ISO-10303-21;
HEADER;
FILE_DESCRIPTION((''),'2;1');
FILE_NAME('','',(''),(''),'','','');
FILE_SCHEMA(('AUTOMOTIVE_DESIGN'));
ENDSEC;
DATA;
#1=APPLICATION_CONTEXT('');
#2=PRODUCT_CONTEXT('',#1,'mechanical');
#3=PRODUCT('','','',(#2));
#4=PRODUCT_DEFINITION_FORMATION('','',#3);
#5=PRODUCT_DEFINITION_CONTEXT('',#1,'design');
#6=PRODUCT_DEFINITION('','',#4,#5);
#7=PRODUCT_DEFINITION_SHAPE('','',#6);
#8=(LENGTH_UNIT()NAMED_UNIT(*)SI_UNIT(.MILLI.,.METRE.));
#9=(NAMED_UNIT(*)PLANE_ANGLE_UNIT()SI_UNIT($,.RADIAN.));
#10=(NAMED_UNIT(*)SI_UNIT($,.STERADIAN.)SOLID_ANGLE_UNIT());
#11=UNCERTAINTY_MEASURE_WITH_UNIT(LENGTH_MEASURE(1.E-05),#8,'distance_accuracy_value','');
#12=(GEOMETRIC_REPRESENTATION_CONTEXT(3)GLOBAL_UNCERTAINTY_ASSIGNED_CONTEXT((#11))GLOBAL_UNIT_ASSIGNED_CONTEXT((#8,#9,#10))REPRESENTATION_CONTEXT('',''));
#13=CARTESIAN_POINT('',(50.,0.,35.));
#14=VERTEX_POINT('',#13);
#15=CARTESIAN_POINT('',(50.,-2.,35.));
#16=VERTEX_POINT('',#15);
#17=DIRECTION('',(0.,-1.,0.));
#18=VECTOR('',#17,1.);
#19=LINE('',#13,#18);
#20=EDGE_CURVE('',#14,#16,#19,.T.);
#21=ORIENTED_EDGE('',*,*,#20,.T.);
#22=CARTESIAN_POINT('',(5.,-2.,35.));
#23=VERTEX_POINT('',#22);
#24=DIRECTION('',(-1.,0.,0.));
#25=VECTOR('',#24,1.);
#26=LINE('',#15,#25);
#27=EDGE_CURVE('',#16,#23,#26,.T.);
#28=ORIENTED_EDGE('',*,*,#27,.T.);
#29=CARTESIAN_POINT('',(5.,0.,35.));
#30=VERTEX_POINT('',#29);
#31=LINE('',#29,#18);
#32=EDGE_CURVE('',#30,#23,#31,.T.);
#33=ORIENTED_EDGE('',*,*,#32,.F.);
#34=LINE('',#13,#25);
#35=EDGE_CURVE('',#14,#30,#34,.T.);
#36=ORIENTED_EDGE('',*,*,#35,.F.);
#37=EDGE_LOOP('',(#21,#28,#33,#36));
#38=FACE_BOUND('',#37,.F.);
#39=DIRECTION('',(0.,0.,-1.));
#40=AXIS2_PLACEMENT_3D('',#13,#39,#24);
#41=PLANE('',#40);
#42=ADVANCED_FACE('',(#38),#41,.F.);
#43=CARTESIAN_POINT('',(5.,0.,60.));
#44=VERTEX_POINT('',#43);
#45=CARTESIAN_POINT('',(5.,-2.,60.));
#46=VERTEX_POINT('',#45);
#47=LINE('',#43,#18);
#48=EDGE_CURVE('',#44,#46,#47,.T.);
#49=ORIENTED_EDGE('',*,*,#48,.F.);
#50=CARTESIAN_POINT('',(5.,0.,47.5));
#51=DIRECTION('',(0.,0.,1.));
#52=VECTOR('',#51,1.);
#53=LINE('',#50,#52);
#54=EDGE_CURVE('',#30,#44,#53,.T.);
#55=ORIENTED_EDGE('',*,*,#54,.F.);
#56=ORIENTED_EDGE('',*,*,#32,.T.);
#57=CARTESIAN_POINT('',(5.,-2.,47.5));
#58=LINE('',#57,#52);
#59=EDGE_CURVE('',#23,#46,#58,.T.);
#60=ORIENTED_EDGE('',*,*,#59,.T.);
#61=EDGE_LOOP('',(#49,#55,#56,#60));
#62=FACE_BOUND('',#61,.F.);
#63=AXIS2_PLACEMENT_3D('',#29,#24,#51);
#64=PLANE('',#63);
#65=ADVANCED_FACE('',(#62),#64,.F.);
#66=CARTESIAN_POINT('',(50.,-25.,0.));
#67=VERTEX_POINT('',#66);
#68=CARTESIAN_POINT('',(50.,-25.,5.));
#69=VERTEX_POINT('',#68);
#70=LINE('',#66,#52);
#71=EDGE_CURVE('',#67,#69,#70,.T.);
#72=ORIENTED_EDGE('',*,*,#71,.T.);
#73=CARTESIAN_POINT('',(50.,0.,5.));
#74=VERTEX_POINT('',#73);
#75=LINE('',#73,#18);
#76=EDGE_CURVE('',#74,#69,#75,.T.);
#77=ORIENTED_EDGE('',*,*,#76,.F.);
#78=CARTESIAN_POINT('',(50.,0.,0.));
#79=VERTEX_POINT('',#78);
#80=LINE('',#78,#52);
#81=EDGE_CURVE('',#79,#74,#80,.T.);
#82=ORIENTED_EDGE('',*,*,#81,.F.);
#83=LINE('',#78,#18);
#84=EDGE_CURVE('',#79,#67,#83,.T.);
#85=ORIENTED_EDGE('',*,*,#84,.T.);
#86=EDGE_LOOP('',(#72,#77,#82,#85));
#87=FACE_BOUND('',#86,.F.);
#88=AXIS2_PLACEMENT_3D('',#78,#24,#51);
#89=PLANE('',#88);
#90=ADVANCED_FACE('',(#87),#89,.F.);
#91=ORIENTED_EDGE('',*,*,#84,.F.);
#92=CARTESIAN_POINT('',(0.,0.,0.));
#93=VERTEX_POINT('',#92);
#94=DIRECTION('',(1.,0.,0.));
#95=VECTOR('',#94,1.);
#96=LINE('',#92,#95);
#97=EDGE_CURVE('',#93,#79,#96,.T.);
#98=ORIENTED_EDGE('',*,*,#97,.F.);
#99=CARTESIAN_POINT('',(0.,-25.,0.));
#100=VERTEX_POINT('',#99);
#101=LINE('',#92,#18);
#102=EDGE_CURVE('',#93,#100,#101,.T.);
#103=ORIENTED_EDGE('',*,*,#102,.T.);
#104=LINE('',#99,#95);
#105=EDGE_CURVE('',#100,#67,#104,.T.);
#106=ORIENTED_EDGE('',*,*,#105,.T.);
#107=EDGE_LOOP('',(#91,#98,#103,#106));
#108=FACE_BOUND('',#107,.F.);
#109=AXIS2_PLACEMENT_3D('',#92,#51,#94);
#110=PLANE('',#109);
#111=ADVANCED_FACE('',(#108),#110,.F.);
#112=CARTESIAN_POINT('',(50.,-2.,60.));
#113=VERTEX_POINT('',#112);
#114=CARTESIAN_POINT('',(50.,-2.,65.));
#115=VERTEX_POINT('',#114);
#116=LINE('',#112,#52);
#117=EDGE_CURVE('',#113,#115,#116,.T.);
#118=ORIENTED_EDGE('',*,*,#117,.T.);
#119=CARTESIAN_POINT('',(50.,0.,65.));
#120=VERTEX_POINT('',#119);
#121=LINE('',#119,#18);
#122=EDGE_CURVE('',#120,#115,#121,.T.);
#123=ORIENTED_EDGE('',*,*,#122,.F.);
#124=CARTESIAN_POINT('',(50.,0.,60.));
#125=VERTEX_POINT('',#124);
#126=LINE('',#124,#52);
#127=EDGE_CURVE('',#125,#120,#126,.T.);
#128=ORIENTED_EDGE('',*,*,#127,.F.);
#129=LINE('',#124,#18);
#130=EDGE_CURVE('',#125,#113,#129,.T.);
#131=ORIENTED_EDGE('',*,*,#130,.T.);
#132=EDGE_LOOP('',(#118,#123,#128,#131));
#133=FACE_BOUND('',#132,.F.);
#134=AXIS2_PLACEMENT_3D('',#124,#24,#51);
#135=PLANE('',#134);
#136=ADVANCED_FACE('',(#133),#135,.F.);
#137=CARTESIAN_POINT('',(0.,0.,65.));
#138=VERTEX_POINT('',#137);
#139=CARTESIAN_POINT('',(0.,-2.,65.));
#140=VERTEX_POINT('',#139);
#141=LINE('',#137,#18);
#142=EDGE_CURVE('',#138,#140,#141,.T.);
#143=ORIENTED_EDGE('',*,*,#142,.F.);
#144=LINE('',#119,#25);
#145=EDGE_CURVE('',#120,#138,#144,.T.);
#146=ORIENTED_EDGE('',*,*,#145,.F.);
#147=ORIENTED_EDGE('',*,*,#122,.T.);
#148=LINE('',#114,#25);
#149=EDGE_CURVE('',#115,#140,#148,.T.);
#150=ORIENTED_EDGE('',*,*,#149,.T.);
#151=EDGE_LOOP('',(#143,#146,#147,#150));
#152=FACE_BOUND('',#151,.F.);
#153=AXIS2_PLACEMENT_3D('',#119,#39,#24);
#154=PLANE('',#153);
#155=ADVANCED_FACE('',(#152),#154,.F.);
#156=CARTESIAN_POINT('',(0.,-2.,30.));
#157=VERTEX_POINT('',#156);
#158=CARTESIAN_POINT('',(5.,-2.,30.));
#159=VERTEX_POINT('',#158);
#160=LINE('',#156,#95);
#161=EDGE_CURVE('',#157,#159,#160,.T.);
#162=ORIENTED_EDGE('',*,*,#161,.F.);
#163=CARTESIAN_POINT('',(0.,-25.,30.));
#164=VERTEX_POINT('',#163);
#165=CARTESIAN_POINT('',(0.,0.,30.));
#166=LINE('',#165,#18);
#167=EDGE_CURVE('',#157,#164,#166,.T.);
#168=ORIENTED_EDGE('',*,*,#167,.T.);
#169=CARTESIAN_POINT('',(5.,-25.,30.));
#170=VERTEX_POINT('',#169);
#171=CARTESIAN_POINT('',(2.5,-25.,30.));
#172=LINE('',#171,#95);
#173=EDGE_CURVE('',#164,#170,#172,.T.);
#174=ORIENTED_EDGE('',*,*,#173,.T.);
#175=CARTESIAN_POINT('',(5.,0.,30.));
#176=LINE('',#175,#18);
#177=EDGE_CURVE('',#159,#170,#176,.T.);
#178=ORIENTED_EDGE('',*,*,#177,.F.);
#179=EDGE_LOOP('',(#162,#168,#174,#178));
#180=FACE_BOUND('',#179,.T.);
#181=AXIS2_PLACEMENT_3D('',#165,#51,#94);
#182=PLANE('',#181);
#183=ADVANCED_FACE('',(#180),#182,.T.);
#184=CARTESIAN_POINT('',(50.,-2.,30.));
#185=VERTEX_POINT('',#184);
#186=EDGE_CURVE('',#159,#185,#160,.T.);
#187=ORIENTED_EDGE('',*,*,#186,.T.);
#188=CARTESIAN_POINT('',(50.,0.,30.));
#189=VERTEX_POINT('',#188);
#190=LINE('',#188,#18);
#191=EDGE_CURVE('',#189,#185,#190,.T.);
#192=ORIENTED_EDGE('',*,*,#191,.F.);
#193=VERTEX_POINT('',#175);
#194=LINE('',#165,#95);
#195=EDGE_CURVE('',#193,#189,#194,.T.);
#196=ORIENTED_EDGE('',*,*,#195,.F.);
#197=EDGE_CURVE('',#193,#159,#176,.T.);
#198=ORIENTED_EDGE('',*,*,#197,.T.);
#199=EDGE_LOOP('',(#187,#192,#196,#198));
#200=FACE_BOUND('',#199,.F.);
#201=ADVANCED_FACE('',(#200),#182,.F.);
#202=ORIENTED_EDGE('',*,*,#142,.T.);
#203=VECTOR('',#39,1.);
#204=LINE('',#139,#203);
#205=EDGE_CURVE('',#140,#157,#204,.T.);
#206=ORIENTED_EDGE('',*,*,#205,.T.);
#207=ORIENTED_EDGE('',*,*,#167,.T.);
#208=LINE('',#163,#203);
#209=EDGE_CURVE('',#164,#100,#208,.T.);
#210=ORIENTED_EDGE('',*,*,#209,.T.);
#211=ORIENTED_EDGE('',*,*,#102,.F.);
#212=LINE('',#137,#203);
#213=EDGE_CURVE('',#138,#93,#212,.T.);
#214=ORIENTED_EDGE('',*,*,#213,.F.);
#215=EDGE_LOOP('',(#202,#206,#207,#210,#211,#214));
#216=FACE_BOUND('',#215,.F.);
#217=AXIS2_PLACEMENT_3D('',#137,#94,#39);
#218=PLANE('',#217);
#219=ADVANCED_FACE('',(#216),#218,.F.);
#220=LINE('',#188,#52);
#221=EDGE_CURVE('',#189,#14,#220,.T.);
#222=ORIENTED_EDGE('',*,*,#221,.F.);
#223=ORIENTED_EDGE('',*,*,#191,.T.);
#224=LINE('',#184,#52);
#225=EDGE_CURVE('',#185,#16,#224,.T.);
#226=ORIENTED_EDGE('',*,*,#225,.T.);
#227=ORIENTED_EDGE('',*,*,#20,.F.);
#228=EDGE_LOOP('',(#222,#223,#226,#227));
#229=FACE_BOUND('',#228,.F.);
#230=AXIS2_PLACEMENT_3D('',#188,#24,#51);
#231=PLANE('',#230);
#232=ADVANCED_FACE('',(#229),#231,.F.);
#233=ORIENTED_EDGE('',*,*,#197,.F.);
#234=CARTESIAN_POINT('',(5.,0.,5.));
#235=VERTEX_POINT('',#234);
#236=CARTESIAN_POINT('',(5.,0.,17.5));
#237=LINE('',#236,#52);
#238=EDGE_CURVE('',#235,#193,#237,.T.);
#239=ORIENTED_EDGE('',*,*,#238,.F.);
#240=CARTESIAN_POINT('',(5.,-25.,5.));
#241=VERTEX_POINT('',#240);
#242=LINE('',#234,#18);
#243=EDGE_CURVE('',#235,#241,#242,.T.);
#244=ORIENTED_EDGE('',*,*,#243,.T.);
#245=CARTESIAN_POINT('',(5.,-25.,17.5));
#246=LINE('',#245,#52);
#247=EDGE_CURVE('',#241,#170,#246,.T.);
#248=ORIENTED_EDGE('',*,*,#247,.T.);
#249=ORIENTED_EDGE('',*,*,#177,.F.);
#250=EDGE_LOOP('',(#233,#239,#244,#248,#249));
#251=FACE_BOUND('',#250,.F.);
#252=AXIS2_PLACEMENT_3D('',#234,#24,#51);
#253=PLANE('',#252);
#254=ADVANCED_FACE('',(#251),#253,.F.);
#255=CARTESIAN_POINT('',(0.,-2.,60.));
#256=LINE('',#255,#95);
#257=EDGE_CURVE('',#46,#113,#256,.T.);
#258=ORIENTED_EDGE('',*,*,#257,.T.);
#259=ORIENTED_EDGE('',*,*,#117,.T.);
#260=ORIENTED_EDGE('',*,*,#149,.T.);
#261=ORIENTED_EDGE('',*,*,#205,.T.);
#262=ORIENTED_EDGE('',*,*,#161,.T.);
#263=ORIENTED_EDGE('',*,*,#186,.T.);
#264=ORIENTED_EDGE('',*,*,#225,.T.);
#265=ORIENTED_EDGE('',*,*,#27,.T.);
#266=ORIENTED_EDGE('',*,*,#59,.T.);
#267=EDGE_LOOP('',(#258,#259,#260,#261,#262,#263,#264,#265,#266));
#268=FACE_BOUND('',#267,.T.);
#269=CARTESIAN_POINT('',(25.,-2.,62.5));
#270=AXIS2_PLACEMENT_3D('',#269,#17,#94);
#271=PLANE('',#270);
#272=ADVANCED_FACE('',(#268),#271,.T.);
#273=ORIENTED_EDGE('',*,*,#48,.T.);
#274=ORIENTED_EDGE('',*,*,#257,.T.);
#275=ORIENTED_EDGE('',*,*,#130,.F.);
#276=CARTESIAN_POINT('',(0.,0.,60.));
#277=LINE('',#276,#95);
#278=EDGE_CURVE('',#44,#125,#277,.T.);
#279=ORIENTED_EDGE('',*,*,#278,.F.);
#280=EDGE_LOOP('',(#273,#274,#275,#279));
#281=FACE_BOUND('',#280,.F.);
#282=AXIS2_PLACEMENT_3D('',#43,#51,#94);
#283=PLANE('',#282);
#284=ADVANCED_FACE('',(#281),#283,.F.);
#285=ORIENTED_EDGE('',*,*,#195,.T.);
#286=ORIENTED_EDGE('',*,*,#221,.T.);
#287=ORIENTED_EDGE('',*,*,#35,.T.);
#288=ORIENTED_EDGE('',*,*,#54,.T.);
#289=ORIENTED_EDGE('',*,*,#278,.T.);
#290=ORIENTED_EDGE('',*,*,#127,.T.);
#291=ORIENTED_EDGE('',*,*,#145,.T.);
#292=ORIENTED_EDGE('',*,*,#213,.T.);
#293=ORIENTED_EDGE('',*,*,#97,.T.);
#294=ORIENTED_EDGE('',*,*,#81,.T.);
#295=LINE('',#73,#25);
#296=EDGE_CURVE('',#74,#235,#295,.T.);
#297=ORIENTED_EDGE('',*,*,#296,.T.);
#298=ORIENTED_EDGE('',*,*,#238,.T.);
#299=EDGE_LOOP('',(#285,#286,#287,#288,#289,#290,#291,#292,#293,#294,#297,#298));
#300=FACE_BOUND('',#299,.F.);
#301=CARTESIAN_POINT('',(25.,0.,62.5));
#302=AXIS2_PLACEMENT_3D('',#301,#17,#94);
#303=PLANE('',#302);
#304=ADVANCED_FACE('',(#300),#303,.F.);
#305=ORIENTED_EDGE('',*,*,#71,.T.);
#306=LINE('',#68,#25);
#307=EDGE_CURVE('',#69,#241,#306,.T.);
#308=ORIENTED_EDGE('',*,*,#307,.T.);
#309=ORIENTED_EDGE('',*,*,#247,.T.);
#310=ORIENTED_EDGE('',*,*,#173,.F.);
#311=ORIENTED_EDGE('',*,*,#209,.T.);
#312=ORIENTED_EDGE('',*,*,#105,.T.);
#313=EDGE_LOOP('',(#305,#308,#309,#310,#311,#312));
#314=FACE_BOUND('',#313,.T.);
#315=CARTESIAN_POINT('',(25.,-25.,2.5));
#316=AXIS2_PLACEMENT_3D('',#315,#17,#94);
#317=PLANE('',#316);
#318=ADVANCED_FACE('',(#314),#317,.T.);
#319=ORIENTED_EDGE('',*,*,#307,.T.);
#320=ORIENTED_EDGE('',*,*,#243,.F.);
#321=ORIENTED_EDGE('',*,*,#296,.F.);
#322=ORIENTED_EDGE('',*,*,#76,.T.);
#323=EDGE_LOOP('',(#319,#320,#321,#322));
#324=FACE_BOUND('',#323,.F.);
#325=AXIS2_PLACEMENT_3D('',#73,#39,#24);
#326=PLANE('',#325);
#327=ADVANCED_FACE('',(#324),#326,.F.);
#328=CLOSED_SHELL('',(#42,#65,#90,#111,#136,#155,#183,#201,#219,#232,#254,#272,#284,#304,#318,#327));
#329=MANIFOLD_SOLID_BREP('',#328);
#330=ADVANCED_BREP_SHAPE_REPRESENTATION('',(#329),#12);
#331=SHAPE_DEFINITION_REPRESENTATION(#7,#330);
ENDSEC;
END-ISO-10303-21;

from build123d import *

# Parameters (mm, degrees)
F0_W     = 5
F0_H     = 25
F1_DEPTH = 25
F2_DEPTH = 2


with BuildPart() as f1:
    # F0 (on Front) → F1 (new body)
    with BuildSketch(Plane.XZ):
        Polygon((0, 5), (0, 0), (50, 0), (50, 5), (5, 5), align=None)
        with Locations((2.5, 17.5)):
            Rectangle(F0_W, F0_H)
    extrude(amount=F1_DEPTH)

    # F0 (on Front) → F2 (join)
    with BuildSketch(Plane.XZ):
        Polygon((0, 65), (0, 60), (5, 60), (50, 60), (50, 65), align=None)
        with Locations((2.5, 47.5)):
            Rectangle(F0_W, F0_H)
        Polygon((0, 35), (0, 30), (5, 30), (50, 30), (50, 35), (5, 35), align=None)
    extrude(amount=F2_DEPTH)


solid = f1.part
